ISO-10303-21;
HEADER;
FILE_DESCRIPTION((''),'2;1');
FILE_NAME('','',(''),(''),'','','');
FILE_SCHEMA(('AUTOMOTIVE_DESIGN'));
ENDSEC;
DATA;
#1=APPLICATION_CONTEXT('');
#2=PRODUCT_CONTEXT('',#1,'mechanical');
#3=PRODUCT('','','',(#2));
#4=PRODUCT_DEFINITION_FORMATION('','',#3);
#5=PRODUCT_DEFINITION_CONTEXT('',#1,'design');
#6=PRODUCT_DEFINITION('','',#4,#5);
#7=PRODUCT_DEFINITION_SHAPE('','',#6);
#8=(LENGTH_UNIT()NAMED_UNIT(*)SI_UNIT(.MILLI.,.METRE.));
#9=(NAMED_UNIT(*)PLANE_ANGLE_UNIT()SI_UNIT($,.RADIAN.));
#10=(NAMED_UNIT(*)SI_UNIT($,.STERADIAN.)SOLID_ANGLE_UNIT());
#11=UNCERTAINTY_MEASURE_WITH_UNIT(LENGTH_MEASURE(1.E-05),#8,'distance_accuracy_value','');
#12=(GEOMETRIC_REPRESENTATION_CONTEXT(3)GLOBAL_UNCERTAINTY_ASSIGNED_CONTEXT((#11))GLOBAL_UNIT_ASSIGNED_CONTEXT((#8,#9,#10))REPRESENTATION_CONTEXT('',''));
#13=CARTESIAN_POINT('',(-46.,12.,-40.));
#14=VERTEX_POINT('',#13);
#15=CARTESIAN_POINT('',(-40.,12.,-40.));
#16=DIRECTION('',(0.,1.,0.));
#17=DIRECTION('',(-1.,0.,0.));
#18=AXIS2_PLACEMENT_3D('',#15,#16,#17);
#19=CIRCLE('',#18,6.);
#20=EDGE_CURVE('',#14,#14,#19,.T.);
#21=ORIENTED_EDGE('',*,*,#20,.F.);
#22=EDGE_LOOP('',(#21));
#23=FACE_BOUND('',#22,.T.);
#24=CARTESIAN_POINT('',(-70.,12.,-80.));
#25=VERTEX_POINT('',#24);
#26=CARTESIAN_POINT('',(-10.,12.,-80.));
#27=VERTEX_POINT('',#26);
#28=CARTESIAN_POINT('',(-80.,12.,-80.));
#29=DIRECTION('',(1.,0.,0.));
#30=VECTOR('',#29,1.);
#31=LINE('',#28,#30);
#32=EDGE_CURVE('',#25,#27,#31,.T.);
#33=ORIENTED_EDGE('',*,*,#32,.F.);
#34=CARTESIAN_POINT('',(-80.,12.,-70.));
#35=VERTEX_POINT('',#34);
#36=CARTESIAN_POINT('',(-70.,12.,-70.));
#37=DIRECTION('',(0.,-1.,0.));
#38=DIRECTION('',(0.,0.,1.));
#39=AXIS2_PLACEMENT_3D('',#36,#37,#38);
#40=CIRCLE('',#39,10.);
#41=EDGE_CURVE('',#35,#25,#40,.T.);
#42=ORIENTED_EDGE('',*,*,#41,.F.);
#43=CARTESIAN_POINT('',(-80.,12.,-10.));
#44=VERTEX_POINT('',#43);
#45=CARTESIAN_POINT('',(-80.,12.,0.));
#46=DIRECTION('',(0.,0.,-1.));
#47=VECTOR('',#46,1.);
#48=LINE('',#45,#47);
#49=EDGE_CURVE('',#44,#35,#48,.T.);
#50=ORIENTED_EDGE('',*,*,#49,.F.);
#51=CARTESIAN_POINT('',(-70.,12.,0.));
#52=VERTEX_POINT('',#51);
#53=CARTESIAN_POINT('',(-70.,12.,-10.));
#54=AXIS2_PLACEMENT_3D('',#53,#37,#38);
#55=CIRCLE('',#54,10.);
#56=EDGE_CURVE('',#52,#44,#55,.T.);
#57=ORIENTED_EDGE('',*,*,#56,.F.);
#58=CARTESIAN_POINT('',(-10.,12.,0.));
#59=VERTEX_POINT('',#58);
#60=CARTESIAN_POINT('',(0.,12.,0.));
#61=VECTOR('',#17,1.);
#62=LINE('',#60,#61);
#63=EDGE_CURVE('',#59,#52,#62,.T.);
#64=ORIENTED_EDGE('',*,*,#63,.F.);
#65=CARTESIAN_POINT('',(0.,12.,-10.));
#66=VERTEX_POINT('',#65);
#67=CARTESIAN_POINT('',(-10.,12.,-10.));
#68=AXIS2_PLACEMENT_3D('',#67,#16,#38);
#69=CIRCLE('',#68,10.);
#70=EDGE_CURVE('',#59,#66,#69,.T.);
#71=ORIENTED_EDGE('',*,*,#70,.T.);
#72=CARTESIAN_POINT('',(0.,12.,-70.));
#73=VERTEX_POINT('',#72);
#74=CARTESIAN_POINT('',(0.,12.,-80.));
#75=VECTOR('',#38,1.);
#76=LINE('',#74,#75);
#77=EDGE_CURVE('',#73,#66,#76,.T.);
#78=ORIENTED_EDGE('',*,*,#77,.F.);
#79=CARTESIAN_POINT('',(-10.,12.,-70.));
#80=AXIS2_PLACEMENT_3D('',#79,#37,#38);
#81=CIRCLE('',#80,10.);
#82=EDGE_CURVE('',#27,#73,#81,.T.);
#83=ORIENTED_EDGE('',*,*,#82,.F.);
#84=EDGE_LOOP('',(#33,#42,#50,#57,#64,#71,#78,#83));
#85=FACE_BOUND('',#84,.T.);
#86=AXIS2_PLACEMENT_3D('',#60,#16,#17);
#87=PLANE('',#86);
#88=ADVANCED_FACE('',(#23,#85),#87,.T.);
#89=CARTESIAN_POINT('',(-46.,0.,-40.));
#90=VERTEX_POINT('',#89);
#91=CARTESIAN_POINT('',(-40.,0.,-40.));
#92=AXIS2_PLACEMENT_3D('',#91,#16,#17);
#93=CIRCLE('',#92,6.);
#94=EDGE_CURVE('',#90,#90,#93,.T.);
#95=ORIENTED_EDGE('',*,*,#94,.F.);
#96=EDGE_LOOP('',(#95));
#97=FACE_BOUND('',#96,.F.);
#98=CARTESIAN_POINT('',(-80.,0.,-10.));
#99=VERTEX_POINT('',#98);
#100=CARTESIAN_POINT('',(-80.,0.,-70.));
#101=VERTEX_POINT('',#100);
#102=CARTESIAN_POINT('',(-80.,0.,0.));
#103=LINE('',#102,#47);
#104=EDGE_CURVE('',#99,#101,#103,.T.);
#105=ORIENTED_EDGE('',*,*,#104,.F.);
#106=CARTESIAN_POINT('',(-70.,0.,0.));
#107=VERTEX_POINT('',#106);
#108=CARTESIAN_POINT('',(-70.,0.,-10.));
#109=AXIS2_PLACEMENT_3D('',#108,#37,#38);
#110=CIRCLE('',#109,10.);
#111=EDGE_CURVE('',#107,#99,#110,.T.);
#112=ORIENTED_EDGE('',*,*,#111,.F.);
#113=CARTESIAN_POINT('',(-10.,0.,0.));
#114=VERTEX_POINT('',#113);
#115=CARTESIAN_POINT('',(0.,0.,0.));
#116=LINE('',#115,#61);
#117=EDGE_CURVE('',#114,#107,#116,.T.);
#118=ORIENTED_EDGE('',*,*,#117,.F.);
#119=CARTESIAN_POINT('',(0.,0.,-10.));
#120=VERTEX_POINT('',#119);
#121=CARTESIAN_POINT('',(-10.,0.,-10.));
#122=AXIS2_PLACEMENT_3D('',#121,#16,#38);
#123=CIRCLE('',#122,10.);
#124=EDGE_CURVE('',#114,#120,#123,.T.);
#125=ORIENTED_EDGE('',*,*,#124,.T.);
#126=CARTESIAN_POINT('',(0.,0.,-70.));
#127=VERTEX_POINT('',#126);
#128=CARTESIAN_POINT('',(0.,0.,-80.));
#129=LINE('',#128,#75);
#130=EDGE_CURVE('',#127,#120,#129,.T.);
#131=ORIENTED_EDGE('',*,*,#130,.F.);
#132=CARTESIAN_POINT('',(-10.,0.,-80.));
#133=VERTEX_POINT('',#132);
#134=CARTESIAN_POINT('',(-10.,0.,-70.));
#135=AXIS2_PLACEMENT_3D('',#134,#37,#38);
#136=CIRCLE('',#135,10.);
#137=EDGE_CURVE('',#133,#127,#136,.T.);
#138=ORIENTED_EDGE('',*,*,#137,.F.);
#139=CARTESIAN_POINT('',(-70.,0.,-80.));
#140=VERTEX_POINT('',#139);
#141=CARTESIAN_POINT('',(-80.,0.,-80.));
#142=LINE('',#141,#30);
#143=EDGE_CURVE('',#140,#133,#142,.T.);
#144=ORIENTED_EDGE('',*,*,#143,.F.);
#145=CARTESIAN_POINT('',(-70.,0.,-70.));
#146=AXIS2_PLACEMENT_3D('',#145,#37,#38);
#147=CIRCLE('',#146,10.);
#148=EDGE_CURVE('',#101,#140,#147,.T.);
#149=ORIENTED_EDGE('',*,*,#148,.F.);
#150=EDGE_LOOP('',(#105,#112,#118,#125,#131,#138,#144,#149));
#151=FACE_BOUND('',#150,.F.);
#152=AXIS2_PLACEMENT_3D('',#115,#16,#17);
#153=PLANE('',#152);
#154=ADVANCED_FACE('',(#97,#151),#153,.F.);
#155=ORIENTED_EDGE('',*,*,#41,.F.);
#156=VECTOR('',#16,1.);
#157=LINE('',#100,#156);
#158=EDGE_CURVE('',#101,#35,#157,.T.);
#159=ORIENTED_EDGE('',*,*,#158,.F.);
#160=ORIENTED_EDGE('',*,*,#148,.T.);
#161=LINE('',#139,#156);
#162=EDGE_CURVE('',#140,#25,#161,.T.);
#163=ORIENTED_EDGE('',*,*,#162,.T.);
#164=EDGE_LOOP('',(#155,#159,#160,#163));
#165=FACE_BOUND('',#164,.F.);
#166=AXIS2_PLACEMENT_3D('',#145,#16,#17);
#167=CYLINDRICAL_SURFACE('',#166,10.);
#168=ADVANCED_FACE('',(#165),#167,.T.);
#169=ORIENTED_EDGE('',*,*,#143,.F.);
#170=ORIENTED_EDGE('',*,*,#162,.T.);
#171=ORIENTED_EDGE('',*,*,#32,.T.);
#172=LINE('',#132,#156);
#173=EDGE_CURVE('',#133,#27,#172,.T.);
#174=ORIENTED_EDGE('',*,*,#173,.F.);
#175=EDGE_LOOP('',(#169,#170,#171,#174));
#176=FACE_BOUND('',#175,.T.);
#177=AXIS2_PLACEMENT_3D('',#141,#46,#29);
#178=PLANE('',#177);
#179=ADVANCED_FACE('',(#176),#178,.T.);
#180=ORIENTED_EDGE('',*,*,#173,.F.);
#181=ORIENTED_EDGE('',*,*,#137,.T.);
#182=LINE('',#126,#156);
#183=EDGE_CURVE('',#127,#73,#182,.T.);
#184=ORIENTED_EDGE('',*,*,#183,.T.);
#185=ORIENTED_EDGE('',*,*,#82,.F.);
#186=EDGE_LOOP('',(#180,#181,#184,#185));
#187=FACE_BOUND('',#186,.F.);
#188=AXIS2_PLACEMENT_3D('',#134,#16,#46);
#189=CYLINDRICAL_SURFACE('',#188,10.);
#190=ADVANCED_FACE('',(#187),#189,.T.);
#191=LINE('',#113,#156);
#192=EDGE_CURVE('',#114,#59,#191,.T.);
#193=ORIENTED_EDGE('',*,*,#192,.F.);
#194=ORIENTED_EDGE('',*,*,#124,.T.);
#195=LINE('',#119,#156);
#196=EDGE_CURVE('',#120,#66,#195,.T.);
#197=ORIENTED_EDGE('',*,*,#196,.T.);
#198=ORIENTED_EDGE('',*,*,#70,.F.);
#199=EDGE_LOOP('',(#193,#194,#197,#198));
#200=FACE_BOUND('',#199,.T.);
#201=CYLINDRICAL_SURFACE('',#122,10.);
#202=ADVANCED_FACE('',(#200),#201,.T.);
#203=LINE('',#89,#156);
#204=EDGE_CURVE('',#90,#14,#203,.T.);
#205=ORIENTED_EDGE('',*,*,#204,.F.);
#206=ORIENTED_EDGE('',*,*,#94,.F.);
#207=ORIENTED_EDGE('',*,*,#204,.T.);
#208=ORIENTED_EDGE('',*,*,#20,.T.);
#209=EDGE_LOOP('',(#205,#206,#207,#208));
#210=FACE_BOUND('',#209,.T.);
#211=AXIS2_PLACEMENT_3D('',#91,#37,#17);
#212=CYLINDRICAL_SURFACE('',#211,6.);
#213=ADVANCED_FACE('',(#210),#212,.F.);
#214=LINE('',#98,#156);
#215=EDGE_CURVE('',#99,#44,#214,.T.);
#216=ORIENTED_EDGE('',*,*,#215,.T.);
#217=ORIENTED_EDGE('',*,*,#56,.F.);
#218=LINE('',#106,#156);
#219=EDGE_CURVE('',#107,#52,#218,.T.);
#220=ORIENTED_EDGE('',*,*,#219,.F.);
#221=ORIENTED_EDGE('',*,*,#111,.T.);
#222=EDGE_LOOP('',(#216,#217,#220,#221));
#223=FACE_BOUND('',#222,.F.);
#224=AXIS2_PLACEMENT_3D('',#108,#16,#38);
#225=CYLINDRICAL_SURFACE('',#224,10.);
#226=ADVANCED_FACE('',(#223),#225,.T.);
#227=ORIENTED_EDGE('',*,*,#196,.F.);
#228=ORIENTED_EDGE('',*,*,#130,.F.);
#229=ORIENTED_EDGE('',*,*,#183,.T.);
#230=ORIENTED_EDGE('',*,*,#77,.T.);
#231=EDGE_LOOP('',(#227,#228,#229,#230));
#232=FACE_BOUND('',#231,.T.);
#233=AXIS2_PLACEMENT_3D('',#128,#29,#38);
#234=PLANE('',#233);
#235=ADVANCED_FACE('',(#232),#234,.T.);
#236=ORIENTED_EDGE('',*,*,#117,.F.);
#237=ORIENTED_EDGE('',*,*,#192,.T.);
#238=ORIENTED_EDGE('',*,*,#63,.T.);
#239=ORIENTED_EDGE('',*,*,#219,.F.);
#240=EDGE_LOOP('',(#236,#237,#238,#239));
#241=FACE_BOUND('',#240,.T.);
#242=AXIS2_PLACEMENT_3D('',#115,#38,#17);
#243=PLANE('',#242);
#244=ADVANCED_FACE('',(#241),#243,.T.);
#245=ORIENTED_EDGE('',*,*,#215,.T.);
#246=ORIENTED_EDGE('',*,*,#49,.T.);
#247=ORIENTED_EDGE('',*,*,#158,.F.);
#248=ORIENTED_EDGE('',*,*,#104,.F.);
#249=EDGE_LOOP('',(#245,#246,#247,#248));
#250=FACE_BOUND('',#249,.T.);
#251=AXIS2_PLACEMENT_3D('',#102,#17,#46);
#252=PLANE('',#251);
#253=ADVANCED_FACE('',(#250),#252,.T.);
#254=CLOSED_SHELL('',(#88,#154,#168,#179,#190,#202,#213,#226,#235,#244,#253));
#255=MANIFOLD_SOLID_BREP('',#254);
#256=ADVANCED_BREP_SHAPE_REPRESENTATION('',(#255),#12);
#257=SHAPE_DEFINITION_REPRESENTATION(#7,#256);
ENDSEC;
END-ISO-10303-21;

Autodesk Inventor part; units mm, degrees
ref_plane "YZ Plane" through (0, 0, 0) normal (1, 0, 0) x (0, 1, 0)
ref_plane "XZ Plane" through (0, 0, 0) normal (0, 1, 0) x (-1, 0, 0)
ref_plane "XY Plane" through (0, 0, 0) normal (0, 0, 1) x (1, 0, 0)
sketch "Esboço1" plane through (0, 0, 0) normal (0, 1, 0) x (-1, 0, 0)
  line L0 (0, 0) -> (80, 0)
  line L1 (80, 0) -> (80, -80)
  line L2 (80, -80) -> (0, -80)
  line L3 (0, -80) -> (0, 0)
  circle A0 centre (40, -40) radius 6
  dimension "d0" = 80
  dimension "d1" = 80
  dimension "d2" = 12
extrude "Extrusão1" add sketch "Esboço1" along normal blind 12
fillet "Arredondamento1" radius 10 4 edges at (-80, 6, 0) (0, 6, 0) (0, 6, -80) (-80, 6, -80)
properties part number "Corpo_2"
